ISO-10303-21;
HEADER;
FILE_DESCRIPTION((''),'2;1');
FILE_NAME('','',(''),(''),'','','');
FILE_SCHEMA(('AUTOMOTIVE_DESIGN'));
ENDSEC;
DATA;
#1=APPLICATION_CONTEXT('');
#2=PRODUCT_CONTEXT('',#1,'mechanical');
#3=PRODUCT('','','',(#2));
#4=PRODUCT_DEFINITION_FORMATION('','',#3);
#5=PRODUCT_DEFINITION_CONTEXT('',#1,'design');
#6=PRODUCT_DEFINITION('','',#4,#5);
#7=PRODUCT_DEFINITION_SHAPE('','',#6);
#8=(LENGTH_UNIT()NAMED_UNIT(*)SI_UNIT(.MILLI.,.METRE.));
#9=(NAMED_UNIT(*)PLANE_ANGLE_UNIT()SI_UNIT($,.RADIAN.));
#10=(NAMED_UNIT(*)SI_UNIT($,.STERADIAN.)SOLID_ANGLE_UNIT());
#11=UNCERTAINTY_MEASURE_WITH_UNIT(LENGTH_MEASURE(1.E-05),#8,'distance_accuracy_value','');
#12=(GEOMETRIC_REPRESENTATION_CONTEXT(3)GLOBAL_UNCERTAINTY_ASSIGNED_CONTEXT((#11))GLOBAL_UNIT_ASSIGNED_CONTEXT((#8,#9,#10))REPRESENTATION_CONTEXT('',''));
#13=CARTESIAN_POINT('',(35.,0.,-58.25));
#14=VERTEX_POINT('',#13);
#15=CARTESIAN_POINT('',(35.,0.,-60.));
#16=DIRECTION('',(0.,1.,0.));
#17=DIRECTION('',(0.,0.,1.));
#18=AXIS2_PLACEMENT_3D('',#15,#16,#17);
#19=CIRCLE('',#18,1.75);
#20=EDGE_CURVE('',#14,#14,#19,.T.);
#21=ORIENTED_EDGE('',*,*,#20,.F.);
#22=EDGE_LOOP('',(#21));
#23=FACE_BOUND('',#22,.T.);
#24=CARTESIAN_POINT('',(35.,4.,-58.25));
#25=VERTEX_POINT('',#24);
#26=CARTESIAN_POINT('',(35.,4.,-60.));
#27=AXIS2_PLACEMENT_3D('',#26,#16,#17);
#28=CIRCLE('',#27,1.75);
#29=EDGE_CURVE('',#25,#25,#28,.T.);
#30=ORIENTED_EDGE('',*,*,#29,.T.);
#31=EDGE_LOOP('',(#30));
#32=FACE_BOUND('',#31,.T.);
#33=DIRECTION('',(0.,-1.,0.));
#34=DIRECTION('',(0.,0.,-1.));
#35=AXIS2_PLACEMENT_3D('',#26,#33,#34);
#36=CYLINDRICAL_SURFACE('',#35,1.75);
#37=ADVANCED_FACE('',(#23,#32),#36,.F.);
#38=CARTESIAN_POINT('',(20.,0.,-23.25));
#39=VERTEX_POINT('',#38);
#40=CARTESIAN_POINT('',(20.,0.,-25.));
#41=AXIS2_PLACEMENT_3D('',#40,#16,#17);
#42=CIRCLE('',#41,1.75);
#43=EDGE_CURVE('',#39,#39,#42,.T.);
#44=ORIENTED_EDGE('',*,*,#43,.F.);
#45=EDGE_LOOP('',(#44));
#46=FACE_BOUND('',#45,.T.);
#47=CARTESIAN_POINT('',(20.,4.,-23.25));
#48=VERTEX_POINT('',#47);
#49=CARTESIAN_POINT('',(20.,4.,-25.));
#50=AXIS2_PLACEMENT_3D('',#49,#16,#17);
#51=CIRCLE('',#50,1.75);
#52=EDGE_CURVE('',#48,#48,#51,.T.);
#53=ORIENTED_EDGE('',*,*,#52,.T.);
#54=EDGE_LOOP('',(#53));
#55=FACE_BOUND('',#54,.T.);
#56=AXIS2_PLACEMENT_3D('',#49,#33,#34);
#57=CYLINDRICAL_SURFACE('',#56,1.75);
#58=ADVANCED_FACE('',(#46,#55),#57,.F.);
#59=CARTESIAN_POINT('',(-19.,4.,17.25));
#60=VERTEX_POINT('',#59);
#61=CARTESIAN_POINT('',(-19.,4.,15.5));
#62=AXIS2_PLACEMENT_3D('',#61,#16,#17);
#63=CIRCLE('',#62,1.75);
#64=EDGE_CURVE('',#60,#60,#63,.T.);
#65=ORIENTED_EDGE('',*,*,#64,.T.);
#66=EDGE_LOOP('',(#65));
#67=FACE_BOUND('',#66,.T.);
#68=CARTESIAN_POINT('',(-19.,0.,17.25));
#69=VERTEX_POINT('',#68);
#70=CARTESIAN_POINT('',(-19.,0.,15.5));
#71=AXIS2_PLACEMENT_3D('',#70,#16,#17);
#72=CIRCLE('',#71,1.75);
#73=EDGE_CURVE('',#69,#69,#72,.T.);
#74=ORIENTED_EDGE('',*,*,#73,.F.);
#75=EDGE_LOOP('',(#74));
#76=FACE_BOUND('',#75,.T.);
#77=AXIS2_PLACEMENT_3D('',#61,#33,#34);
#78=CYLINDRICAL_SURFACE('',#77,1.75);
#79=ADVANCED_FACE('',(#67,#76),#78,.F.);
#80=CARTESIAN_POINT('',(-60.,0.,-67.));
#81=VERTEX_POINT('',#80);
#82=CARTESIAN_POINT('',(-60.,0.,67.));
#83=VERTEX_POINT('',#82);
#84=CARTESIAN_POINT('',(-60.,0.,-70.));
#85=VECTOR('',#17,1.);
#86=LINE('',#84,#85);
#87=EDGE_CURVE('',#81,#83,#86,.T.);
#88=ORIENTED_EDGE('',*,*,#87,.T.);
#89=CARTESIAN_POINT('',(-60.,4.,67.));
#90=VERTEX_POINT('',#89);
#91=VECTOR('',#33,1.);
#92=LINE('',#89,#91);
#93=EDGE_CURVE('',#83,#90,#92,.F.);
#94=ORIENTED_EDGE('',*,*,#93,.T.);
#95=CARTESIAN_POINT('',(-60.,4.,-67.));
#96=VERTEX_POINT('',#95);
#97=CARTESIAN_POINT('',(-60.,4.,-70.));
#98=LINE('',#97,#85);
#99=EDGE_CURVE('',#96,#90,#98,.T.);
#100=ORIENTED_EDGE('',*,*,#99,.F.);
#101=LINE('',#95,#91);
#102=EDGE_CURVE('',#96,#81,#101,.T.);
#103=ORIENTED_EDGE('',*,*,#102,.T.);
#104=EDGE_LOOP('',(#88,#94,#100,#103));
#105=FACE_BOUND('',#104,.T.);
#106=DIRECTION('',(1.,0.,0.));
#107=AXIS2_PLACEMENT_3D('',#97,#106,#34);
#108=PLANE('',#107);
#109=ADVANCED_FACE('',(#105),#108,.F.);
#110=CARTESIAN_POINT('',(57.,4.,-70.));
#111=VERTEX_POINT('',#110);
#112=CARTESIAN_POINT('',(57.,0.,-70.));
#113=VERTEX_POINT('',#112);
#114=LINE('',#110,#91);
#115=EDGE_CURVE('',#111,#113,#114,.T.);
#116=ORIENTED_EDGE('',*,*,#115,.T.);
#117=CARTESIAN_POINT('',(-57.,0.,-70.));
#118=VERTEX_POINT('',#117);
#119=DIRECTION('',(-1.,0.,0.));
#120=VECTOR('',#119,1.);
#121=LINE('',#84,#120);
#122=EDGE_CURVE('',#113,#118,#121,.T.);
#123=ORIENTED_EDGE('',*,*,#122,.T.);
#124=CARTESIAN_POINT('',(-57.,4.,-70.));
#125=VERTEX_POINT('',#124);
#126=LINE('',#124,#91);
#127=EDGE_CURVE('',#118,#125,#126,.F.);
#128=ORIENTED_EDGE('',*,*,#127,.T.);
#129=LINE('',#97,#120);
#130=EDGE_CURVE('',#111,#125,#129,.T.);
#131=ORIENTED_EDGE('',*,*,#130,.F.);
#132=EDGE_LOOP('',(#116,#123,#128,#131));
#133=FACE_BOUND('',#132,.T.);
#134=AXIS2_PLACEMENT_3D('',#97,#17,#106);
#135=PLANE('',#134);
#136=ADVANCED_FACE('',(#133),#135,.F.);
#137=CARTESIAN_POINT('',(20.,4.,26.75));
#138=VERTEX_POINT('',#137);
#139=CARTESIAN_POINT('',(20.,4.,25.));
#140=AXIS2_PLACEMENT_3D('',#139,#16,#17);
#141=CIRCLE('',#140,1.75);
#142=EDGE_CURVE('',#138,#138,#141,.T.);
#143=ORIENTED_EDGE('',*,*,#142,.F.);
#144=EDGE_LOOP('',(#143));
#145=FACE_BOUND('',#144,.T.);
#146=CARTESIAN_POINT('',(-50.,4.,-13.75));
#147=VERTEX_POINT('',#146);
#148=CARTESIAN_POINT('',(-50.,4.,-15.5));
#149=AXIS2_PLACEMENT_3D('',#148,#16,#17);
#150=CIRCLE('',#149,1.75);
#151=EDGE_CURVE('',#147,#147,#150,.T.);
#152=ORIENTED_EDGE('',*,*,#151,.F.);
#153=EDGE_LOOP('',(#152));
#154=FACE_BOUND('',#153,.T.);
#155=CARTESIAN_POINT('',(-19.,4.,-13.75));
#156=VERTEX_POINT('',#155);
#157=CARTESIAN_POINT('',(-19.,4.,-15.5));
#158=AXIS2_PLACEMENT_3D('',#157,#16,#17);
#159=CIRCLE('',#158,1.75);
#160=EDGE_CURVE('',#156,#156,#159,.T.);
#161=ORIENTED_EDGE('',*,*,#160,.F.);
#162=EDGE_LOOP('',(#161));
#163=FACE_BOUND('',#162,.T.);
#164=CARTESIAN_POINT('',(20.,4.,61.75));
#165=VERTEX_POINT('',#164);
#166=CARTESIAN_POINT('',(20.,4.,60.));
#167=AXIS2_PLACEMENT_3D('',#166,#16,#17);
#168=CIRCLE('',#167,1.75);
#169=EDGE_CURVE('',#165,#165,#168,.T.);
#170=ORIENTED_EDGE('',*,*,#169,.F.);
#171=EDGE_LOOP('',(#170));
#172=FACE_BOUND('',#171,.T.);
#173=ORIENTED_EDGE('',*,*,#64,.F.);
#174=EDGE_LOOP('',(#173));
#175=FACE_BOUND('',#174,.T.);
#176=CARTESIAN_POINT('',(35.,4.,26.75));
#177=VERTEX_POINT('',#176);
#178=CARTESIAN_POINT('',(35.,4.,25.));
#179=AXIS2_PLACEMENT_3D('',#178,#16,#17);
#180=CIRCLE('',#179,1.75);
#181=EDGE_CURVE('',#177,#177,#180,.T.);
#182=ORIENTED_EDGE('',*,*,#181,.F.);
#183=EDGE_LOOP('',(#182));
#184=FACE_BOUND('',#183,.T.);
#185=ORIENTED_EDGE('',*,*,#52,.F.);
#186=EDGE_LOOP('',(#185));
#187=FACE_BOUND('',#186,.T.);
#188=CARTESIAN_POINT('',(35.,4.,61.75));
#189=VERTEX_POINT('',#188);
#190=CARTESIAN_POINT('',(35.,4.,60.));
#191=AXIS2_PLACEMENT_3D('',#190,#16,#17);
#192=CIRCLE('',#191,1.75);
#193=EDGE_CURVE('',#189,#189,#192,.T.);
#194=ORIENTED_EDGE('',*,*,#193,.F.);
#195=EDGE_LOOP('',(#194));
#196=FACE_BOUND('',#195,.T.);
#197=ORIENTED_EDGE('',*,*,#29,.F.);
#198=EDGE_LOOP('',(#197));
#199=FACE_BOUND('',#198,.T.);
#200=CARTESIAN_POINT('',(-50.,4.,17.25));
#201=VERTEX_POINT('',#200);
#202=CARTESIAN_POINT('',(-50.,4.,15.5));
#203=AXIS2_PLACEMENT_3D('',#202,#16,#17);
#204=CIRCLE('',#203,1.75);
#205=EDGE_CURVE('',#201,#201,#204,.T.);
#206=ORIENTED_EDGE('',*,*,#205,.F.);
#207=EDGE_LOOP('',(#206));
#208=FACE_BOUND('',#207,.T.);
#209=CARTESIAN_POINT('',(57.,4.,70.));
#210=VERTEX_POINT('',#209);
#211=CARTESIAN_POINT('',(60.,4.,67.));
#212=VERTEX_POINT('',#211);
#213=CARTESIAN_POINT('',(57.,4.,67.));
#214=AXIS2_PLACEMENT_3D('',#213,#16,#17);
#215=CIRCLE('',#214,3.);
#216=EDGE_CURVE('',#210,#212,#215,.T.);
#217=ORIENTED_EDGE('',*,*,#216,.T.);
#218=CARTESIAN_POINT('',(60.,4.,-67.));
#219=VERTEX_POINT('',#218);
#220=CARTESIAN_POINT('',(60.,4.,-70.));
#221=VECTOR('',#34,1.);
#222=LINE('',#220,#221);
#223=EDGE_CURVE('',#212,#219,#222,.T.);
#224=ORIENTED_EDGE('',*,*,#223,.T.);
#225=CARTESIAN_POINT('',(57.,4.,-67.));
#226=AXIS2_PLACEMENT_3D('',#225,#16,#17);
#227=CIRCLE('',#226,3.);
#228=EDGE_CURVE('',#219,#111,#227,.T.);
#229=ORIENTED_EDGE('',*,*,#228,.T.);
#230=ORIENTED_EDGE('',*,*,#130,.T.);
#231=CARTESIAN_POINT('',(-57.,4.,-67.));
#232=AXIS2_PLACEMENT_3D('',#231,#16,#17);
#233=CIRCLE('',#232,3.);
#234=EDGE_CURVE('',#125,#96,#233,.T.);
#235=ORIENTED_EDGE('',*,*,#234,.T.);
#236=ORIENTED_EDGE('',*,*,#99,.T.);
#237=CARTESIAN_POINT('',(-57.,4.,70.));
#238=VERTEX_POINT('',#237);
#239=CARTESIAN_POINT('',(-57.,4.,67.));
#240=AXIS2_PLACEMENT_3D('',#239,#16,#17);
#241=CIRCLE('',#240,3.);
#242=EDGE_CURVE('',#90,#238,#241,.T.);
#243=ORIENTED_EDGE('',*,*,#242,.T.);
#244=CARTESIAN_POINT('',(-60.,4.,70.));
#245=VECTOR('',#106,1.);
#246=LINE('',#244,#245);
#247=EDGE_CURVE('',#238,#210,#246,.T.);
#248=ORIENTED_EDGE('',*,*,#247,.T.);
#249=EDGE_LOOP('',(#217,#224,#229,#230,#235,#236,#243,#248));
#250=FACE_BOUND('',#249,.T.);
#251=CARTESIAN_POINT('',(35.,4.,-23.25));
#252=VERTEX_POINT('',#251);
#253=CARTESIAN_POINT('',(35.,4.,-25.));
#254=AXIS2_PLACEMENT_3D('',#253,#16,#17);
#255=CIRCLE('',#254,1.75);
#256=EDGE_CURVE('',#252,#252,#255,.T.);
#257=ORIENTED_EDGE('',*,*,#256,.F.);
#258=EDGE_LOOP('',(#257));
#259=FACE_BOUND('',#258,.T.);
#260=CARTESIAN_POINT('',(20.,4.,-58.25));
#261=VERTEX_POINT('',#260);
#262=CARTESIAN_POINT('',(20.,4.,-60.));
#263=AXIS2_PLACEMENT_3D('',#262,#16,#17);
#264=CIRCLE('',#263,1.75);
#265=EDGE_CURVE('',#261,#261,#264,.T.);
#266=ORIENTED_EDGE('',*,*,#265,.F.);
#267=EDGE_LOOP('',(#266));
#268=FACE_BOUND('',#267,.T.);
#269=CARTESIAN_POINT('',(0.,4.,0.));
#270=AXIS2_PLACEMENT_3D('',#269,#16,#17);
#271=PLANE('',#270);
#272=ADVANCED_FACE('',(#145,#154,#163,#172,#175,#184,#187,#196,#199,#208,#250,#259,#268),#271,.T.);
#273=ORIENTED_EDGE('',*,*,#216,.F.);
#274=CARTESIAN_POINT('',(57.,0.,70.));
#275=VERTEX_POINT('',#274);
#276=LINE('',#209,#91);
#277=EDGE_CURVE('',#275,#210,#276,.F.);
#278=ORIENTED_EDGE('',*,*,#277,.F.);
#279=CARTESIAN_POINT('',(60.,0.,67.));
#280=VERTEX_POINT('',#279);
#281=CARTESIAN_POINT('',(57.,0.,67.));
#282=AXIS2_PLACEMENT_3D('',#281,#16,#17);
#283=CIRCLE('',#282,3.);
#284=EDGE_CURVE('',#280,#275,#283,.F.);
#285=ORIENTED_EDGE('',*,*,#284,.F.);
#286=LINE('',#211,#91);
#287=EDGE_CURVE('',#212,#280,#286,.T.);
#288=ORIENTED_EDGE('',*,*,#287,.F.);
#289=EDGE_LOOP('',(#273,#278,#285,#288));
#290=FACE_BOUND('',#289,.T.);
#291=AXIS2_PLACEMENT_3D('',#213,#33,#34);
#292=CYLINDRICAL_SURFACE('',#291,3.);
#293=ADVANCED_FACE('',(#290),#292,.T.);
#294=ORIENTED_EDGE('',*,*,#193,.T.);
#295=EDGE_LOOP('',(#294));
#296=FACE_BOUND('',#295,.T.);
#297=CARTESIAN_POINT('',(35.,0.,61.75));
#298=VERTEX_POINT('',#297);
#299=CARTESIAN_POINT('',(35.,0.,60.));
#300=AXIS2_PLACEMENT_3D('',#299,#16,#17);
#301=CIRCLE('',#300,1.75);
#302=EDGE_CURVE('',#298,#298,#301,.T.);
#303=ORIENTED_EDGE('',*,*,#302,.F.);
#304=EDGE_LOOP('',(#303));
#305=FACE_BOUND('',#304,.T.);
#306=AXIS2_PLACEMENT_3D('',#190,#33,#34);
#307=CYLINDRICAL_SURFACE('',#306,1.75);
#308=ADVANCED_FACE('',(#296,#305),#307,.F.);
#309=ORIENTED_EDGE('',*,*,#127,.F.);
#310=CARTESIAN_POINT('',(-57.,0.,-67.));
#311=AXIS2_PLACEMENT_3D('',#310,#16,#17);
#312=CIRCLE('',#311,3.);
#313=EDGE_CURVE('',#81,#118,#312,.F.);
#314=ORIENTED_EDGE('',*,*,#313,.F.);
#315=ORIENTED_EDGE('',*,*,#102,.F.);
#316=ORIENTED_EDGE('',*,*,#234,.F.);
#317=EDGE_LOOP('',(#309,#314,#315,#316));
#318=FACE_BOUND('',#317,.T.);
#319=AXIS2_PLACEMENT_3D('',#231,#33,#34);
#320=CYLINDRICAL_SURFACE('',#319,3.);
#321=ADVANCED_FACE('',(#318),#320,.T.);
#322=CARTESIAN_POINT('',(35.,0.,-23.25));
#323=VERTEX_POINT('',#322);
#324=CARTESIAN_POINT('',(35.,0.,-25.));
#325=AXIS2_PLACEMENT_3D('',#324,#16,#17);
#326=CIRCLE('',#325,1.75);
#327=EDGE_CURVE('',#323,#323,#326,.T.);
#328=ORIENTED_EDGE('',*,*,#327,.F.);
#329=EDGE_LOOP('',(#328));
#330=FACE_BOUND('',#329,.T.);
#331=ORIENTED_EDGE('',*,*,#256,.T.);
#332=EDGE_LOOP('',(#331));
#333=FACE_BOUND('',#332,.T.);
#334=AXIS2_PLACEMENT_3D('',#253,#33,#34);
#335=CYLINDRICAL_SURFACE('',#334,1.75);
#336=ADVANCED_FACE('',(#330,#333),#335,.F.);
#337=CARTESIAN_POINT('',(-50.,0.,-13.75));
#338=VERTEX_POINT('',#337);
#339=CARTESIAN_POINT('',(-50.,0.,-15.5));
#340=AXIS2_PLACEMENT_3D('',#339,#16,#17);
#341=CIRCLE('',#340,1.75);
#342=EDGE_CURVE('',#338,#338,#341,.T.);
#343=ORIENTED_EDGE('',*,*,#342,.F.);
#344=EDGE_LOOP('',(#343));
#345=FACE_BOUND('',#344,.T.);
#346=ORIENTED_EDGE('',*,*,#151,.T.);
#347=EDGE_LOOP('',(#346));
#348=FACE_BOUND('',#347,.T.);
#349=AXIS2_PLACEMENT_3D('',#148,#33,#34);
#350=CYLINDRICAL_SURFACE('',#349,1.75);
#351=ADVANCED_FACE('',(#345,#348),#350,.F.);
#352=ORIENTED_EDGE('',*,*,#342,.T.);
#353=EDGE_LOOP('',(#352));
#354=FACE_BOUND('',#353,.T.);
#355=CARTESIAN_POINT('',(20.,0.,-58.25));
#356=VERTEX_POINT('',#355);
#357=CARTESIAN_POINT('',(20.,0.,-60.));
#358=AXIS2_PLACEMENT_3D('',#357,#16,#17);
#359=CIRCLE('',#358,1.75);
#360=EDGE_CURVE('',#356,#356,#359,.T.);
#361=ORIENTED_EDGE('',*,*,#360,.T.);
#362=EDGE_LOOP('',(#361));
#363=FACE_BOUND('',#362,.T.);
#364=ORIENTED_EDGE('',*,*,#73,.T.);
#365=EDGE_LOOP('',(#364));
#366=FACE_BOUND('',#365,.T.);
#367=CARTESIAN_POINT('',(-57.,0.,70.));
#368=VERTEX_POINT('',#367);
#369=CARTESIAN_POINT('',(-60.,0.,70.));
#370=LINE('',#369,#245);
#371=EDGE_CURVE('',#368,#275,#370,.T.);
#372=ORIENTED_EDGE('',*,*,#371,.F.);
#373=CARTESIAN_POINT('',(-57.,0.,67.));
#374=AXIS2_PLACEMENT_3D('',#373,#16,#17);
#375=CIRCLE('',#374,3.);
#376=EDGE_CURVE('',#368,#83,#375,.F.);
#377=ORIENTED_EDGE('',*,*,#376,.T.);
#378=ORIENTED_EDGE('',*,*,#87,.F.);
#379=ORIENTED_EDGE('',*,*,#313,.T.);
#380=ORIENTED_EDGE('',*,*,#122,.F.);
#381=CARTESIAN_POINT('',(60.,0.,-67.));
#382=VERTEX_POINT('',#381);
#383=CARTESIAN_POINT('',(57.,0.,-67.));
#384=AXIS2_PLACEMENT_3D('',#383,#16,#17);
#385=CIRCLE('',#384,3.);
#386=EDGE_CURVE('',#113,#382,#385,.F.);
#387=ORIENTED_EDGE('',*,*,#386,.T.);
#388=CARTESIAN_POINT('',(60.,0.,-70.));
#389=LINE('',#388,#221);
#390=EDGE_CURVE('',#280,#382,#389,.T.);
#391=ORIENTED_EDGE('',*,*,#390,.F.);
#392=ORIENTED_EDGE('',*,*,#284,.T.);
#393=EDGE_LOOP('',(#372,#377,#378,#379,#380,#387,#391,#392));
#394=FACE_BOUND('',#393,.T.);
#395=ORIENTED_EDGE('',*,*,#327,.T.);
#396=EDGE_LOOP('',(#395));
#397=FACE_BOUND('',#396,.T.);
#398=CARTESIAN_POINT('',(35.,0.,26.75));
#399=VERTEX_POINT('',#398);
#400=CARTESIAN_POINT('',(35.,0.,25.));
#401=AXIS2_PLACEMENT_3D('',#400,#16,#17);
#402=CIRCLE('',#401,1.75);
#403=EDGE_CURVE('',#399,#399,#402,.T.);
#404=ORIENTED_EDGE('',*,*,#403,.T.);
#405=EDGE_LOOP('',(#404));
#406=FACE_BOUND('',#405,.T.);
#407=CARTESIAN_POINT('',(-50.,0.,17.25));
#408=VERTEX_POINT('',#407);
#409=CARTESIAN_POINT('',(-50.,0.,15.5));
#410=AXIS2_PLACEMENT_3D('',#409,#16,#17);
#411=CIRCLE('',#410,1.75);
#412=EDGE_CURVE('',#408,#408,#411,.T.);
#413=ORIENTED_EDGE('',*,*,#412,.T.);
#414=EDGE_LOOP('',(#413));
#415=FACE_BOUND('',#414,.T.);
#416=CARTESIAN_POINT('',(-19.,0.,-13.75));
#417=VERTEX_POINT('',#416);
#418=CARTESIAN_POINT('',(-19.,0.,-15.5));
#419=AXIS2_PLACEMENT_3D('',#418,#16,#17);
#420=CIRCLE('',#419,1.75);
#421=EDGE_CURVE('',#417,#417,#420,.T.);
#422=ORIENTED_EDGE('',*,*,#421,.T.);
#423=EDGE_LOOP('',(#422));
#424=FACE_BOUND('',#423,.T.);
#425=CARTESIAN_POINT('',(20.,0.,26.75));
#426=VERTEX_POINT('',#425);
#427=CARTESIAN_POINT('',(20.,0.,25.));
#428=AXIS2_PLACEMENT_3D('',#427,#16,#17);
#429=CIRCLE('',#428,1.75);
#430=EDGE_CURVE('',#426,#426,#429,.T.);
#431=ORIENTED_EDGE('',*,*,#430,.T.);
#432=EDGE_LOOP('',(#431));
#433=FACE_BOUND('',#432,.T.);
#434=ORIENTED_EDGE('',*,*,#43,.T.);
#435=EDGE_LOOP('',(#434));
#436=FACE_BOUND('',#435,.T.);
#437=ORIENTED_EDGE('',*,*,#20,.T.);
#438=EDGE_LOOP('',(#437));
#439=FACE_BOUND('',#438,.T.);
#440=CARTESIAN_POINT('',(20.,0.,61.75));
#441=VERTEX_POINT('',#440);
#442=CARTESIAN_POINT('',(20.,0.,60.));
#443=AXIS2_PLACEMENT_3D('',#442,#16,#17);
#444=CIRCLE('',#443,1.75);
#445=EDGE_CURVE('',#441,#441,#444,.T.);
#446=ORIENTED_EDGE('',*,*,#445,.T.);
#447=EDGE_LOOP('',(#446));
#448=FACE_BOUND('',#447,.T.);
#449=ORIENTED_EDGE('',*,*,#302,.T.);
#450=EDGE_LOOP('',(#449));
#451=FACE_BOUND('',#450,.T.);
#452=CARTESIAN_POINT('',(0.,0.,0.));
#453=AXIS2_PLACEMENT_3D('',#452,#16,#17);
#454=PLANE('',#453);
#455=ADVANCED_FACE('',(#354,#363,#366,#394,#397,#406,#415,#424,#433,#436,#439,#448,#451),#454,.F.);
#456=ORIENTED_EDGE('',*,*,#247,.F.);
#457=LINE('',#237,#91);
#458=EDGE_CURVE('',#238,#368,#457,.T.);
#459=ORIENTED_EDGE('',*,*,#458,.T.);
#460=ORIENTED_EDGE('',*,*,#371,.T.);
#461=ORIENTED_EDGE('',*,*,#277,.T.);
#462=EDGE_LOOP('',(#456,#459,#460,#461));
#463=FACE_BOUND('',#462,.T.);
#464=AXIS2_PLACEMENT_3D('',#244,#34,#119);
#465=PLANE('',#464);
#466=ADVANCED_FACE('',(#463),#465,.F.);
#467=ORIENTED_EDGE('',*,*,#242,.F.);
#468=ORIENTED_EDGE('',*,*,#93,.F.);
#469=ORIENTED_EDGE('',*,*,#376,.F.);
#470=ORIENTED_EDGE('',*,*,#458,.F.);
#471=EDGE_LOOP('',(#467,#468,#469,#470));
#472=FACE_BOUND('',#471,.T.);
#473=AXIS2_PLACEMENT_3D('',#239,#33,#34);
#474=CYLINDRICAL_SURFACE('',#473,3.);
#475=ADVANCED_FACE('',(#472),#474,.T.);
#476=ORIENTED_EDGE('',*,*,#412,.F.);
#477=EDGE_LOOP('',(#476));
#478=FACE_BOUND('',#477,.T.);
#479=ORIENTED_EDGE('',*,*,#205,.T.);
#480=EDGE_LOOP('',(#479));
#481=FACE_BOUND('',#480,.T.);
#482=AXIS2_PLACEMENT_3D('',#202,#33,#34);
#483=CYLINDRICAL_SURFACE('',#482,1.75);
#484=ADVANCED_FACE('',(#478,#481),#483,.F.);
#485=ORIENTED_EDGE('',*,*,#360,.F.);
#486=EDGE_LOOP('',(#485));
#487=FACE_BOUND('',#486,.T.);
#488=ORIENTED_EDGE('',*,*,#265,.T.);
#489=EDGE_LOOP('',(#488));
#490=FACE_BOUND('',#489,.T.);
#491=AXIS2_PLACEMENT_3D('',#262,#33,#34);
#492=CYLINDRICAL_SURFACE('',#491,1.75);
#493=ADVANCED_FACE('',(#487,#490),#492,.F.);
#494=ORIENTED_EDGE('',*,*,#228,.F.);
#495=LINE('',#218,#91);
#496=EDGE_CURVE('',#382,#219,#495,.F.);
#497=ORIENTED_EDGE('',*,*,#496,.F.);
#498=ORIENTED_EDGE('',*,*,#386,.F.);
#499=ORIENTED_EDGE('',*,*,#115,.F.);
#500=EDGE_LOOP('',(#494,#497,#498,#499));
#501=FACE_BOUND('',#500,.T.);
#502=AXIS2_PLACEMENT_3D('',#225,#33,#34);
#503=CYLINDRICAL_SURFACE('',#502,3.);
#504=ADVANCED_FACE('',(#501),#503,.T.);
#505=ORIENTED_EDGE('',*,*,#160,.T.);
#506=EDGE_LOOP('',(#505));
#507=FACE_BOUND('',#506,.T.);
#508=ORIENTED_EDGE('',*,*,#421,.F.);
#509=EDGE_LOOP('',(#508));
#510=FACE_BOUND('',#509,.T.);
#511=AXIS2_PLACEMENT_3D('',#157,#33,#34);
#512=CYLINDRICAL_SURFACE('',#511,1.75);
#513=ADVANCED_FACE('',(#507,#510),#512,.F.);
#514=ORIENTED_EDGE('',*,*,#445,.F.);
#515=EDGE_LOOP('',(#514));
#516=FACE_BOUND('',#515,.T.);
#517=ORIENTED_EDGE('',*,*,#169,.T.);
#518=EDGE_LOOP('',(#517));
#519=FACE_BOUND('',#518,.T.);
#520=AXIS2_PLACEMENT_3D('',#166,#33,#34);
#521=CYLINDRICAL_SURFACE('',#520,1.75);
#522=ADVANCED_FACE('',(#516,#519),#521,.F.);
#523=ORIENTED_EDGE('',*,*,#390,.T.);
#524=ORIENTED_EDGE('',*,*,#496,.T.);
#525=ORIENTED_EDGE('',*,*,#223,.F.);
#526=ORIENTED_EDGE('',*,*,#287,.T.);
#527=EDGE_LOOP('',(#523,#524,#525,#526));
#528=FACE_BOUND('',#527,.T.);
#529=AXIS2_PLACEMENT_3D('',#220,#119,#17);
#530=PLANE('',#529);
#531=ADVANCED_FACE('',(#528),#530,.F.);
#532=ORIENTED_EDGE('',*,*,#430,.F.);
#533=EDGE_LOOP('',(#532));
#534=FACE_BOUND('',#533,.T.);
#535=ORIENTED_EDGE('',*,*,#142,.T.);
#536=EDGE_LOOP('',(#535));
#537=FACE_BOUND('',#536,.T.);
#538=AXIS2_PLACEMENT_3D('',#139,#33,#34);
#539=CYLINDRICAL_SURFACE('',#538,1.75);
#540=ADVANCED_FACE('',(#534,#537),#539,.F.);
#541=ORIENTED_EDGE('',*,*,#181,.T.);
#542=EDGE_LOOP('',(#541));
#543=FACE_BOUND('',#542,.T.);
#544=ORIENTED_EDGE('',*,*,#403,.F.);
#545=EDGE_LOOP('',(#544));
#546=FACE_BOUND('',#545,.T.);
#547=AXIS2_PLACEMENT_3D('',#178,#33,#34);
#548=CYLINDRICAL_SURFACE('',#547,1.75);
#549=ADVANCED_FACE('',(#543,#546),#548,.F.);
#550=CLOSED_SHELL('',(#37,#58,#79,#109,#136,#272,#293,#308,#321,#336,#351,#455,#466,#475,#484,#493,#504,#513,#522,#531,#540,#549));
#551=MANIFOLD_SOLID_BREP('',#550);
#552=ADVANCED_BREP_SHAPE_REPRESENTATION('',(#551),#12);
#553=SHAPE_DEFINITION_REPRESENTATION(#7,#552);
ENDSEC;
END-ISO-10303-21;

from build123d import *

# Parameters (mm, degrees)
SKETCH1_W           = 120
SKETCH1_H           = 140
SKETCH1_R           = 1.75
BOSS_EXTRUDE1_DEPTH = 4
FILLET1_R           = 3


with BuildPart() as part:
    # Sketch1 → Boss-Extrude1 (new body)
    with BuildSketch(Plane(origin=(0, 0, 0), x_dir=(1, 0, 0), z_dir=(0, 1, 0))):
        Rectangle(SKETCH1_W, SKETCH1_H)
        with Locations(Location((-50, 15.5, 0), (0, 0, 270))):
            Circle(SKETCH1_R, mode=Mode.SUBTRACT)
        with Locations(Location((-19, 15.5, 0), (0, 0, 270))):
            Circle(SKETCH1_R, mode=Mode.SUBTRACT)
        with Locations(Location((-50, -15.5, 0), (0, 0, 270))):
            Circle(SKETCH1_R, mode=Mode.SUBTRACT)
        with Locations(Location((-19, -15.5, 0), (0, 0, 270))):
            Circle(SKETCH1_R, mode=Mode.SUBTRACT)
        with Locations(Location((20, 60, 0), (0, 0, 270))):
            Circle(SKETCH1_R, mode=Mode.SUBTRACT)
        with Locations(Location((35, 60, 0), (0, 0, 270))):
            Circle(SKETCH1_R, mode=Mode.SUBTRACT)
        with Locations(Location((35, 25, 0), (0, 0, 270))):
            Circle(SKETCH1_R, mode=Mode.SUBTRACT)
        with Locations(Location((20, 25, 0), (0, 0, 270))):
            Circle(SKETCH1_R, mode=Mode.SUBTRACT)
        with Locations(Location((20, -60, 0), (0, 0, 270))):
            Circle(SKETCH1_R, mode=Mode.SUBTRACT)
        with Locations(Location((35, -60, 0), (0, 0, 270))):
            Circle(SKETCH1_R, mode=Mode.SUBTRACT)
        with Locations(Location((35, -25, 0), (0, 0, 270))):
            Circle(SKETCH1_R, mode=Mode.SUBTRACT)
        with Locations(Location((20, -25, 0), (0, 0, 270))):
            Circle(SKETCH1_R, mode=Mode.SUBTRACT)
    extrude(amount=BOSS_EXTRUDE1_DEPTH)

    # Fillet1
    fillet1_edges = [part.edges().sort_by_distance(p)[0] for p in [
        (60, 2, 70),
        (-60, 2, 70),
        (-60, 2, -70),
        (60, 2, -70),
    ]]
    fillet(fillet1_edges, radius=FILLET1_R)


solid = part.part
